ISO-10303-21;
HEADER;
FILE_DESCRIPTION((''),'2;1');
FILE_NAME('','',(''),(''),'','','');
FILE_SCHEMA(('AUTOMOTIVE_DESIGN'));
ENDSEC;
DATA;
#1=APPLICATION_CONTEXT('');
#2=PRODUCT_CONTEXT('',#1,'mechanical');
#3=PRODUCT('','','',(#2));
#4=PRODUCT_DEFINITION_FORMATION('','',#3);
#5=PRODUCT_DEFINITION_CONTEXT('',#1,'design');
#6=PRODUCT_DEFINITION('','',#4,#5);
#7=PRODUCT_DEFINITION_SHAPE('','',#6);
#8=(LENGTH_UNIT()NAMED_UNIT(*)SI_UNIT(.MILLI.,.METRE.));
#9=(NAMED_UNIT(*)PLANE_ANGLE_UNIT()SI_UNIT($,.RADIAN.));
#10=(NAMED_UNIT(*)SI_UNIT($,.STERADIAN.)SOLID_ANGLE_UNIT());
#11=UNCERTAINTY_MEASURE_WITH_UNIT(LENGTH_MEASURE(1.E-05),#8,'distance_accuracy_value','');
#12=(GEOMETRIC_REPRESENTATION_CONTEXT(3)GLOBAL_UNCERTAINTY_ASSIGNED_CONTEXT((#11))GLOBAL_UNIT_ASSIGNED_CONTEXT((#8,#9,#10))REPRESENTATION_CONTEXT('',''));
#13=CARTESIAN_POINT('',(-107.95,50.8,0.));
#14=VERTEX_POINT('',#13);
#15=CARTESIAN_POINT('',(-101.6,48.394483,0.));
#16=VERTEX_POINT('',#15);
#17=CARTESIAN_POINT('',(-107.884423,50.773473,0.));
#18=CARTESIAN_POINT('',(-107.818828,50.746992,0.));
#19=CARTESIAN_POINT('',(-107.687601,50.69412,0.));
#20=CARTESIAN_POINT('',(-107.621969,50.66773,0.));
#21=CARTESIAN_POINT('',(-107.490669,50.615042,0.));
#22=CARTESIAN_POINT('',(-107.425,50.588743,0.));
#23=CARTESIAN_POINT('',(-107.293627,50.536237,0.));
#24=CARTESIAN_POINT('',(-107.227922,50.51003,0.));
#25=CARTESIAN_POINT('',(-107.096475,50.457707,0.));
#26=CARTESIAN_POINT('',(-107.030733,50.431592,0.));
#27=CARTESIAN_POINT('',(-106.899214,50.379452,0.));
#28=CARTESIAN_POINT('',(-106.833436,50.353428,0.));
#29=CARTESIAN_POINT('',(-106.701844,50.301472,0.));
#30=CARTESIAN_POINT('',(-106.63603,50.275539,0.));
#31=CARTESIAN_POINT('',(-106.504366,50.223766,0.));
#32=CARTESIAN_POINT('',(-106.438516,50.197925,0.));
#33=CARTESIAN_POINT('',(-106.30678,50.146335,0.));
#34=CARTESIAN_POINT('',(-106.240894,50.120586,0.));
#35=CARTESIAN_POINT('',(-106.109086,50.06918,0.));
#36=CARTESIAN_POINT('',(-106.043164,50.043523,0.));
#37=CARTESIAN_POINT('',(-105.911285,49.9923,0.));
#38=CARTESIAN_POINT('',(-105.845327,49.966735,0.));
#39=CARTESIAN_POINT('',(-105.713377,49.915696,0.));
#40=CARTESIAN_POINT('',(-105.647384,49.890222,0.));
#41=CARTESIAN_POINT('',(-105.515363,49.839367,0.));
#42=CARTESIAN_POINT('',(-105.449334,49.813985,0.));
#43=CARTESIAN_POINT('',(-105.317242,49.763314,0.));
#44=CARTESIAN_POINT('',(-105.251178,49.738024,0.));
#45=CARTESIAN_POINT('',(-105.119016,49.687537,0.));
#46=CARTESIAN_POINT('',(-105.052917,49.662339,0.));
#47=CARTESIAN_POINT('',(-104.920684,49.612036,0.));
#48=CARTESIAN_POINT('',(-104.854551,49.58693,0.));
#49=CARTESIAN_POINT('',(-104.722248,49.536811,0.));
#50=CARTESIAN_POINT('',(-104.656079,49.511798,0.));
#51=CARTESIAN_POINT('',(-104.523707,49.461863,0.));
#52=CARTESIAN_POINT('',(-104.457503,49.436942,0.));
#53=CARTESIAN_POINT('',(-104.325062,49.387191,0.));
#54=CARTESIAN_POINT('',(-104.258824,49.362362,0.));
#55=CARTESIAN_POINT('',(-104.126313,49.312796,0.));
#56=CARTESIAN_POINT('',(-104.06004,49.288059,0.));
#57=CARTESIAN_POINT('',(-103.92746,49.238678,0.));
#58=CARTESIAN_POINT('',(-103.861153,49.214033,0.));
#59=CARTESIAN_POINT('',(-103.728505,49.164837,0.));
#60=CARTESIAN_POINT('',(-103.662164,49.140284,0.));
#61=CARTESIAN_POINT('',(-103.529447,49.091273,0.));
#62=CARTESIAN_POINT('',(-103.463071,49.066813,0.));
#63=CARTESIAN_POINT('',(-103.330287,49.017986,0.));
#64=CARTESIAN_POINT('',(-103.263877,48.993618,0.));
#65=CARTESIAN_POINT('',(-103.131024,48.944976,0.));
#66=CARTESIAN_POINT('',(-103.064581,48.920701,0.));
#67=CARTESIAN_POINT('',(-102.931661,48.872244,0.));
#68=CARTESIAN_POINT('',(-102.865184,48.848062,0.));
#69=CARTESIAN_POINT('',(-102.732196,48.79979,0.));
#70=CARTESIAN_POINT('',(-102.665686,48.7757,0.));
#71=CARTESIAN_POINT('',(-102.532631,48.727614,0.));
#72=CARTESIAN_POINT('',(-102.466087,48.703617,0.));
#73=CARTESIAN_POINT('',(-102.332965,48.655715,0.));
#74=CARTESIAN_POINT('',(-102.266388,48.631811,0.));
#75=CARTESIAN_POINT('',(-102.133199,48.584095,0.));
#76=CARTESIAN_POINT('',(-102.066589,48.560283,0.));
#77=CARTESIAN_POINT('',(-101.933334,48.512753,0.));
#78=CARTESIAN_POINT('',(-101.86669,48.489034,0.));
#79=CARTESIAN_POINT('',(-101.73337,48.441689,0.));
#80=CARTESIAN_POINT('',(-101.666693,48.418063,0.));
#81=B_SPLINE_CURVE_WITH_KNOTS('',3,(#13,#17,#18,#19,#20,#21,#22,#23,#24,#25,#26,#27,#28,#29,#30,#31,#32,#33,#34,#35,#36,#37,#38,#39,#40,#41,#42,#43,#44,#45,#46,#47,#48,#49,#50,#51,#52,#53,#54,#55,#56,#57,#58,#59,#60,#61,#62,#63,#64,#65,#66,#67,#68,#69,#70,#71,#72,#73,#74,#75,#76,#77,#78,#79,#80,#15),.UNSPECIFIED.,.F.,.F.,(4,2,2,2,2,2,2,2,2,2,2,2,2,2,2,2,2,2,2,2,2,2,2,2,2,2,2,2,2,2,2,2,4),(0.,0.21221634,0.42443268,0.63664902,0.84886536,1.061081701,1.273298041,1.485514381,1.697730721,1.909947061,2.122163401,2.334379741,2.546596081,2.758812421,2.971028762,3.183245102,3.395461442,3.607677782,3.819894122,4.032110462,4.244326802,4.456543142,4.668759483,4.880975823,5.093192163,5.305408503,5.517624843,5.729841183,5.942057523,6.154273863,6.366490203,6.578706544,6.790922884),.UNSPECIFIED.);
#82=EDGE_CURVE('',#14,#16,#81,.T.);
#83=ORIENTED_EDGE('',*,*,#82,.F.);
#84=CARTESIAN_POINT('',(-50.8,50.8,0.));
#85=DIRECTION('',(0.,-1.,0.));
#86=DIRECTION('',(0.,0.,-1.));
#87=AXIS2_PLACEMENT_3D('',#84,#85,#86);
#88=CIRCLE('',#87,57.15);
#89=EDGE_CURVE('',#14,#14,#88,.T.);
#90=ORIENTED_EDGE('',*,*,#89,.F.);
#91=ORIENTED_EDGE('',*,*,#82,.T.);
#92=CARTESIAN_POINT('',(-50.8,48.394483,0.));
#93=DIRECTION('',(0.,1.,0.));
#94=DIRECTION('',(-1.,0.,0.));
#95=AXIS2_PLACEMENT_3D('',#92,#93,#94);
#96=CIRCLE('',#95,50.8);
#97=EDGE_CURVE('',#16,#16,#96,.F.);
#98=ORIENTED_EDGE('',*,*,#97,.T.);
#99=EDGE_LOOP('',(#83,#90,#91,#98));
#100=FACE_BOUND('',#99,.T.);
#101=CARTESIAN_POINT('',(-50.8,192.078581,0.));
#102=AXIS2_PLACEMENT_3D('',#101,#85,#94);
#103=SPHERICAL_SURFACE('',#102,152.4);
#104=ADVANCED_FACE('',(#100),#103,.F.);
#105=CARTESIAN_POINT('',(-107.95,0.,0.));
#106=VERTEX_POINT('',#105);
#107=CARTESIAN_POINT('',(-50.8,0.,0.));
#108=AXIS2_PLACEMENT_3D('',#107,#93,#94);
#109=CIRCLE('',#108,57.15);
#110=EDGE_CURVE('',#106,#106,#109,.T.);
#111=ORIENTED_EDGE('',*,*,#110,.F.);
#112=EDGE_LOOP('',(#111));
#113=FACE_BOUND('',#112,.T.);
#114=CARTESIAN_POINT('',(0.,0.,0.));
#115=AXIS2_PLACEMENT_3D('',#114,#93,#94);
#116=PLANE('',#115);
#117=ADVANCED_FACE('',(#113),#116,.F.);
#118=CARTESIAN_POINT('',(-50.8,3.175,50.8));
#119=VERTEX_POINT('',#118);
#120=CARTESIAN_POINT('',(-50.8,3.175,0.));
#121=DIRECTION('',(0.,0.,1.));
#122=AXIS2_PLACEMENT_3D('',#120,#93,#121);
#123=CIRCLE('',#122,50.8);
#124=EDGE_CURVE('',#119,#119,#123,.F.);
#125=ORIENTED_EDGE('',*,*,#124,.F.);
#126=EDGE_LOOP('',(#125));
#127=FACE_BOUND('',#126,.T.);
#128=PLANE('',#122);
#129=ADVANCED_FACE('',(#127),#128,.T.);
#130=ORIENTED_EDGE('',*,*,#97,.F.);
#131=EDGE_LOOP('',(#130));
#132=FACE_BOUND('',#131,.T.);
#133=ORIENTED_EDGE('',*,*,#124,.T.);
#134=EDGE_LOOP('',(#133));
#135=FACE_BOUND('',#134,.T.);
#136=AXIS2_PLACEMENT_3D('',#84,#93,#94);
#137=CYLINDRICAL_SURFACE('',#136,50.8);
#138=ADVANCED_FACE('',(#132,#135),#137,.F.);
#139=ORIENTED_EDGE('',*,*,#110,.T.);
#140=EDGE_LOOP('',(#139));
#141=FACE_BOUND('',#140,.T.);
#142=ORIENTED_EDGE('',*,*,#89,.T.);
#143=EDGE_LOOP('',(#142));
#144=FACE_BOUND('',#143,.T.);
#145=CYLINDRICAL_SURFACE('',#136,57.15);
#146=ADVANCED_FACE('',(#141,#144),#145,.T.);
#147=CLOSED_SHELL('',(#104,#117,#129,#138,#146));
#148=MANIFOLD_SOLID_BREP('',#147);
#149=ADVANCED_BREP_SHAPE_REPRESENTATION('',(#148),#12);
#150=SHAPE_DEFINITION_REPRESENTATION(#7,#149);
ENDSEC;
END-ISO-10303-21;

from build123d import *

# Parameters (mm, degrees)
SKETCH1_W           = 6.35
SKETCH1_H           = 50.8
BOSS_EXTRUDE1_START = 3.175
SKETCH2_R           = 57.15
BOSS_EXTRUDE1_DEPTH = 3.175


with BuildPart() as part:
    # Sketch1 → Revolve1 (revolve)
    with BuildSketch(Plane.XY, mode=Mode.PRIVATE) as revolve1_sk:
        with Locations((3.175, 25.4)):
            Rectangle(SKETCH1_W, SKETCH1_H)
    revolve(revolve1_sk.sketch.rotate(Axis((-50.8, 50.8, 0), (0, -1, 0)), 180), axis=Axis((-50.8, 50.8, 0), (0, -1, 0)))

    # Sketch2 → Boss-Extrude1 (add)
    with BuildSketch(Plane(origin=(0, 0, 0), x_dir=(1, 0, 0), z_dir=(0, 1, 0)).offset(BOSS_EXTRUDE1_START)):
        with Locations(Location((-50.8, 0, 0), (0, 0, 180))):
            Circle(SKETCH2_R)
    extrude(amount=-BOSS_EXTRUDE1_DEPTH)

    # Sketch4 → Cut-Revolve1 (revolve, cut)
    with BuildSketch(Plane.XY):
        with BuildLine():
            Line((-107.95, 50.8), (-50.8, 50.8))
            Line((-50.8, 50.8), (-50.8, 39.678581179))
            ThreePointArc((-50.8, 39.678581179), (-79.911030798, 42.484771528), (-107.95, 50.8))
        make_face()
    revolve(axis=Axis((-50.8, 46.230510517, 0), (0, 1, 0)), mode=Mode.SUBTRACT)


solid = part.part
